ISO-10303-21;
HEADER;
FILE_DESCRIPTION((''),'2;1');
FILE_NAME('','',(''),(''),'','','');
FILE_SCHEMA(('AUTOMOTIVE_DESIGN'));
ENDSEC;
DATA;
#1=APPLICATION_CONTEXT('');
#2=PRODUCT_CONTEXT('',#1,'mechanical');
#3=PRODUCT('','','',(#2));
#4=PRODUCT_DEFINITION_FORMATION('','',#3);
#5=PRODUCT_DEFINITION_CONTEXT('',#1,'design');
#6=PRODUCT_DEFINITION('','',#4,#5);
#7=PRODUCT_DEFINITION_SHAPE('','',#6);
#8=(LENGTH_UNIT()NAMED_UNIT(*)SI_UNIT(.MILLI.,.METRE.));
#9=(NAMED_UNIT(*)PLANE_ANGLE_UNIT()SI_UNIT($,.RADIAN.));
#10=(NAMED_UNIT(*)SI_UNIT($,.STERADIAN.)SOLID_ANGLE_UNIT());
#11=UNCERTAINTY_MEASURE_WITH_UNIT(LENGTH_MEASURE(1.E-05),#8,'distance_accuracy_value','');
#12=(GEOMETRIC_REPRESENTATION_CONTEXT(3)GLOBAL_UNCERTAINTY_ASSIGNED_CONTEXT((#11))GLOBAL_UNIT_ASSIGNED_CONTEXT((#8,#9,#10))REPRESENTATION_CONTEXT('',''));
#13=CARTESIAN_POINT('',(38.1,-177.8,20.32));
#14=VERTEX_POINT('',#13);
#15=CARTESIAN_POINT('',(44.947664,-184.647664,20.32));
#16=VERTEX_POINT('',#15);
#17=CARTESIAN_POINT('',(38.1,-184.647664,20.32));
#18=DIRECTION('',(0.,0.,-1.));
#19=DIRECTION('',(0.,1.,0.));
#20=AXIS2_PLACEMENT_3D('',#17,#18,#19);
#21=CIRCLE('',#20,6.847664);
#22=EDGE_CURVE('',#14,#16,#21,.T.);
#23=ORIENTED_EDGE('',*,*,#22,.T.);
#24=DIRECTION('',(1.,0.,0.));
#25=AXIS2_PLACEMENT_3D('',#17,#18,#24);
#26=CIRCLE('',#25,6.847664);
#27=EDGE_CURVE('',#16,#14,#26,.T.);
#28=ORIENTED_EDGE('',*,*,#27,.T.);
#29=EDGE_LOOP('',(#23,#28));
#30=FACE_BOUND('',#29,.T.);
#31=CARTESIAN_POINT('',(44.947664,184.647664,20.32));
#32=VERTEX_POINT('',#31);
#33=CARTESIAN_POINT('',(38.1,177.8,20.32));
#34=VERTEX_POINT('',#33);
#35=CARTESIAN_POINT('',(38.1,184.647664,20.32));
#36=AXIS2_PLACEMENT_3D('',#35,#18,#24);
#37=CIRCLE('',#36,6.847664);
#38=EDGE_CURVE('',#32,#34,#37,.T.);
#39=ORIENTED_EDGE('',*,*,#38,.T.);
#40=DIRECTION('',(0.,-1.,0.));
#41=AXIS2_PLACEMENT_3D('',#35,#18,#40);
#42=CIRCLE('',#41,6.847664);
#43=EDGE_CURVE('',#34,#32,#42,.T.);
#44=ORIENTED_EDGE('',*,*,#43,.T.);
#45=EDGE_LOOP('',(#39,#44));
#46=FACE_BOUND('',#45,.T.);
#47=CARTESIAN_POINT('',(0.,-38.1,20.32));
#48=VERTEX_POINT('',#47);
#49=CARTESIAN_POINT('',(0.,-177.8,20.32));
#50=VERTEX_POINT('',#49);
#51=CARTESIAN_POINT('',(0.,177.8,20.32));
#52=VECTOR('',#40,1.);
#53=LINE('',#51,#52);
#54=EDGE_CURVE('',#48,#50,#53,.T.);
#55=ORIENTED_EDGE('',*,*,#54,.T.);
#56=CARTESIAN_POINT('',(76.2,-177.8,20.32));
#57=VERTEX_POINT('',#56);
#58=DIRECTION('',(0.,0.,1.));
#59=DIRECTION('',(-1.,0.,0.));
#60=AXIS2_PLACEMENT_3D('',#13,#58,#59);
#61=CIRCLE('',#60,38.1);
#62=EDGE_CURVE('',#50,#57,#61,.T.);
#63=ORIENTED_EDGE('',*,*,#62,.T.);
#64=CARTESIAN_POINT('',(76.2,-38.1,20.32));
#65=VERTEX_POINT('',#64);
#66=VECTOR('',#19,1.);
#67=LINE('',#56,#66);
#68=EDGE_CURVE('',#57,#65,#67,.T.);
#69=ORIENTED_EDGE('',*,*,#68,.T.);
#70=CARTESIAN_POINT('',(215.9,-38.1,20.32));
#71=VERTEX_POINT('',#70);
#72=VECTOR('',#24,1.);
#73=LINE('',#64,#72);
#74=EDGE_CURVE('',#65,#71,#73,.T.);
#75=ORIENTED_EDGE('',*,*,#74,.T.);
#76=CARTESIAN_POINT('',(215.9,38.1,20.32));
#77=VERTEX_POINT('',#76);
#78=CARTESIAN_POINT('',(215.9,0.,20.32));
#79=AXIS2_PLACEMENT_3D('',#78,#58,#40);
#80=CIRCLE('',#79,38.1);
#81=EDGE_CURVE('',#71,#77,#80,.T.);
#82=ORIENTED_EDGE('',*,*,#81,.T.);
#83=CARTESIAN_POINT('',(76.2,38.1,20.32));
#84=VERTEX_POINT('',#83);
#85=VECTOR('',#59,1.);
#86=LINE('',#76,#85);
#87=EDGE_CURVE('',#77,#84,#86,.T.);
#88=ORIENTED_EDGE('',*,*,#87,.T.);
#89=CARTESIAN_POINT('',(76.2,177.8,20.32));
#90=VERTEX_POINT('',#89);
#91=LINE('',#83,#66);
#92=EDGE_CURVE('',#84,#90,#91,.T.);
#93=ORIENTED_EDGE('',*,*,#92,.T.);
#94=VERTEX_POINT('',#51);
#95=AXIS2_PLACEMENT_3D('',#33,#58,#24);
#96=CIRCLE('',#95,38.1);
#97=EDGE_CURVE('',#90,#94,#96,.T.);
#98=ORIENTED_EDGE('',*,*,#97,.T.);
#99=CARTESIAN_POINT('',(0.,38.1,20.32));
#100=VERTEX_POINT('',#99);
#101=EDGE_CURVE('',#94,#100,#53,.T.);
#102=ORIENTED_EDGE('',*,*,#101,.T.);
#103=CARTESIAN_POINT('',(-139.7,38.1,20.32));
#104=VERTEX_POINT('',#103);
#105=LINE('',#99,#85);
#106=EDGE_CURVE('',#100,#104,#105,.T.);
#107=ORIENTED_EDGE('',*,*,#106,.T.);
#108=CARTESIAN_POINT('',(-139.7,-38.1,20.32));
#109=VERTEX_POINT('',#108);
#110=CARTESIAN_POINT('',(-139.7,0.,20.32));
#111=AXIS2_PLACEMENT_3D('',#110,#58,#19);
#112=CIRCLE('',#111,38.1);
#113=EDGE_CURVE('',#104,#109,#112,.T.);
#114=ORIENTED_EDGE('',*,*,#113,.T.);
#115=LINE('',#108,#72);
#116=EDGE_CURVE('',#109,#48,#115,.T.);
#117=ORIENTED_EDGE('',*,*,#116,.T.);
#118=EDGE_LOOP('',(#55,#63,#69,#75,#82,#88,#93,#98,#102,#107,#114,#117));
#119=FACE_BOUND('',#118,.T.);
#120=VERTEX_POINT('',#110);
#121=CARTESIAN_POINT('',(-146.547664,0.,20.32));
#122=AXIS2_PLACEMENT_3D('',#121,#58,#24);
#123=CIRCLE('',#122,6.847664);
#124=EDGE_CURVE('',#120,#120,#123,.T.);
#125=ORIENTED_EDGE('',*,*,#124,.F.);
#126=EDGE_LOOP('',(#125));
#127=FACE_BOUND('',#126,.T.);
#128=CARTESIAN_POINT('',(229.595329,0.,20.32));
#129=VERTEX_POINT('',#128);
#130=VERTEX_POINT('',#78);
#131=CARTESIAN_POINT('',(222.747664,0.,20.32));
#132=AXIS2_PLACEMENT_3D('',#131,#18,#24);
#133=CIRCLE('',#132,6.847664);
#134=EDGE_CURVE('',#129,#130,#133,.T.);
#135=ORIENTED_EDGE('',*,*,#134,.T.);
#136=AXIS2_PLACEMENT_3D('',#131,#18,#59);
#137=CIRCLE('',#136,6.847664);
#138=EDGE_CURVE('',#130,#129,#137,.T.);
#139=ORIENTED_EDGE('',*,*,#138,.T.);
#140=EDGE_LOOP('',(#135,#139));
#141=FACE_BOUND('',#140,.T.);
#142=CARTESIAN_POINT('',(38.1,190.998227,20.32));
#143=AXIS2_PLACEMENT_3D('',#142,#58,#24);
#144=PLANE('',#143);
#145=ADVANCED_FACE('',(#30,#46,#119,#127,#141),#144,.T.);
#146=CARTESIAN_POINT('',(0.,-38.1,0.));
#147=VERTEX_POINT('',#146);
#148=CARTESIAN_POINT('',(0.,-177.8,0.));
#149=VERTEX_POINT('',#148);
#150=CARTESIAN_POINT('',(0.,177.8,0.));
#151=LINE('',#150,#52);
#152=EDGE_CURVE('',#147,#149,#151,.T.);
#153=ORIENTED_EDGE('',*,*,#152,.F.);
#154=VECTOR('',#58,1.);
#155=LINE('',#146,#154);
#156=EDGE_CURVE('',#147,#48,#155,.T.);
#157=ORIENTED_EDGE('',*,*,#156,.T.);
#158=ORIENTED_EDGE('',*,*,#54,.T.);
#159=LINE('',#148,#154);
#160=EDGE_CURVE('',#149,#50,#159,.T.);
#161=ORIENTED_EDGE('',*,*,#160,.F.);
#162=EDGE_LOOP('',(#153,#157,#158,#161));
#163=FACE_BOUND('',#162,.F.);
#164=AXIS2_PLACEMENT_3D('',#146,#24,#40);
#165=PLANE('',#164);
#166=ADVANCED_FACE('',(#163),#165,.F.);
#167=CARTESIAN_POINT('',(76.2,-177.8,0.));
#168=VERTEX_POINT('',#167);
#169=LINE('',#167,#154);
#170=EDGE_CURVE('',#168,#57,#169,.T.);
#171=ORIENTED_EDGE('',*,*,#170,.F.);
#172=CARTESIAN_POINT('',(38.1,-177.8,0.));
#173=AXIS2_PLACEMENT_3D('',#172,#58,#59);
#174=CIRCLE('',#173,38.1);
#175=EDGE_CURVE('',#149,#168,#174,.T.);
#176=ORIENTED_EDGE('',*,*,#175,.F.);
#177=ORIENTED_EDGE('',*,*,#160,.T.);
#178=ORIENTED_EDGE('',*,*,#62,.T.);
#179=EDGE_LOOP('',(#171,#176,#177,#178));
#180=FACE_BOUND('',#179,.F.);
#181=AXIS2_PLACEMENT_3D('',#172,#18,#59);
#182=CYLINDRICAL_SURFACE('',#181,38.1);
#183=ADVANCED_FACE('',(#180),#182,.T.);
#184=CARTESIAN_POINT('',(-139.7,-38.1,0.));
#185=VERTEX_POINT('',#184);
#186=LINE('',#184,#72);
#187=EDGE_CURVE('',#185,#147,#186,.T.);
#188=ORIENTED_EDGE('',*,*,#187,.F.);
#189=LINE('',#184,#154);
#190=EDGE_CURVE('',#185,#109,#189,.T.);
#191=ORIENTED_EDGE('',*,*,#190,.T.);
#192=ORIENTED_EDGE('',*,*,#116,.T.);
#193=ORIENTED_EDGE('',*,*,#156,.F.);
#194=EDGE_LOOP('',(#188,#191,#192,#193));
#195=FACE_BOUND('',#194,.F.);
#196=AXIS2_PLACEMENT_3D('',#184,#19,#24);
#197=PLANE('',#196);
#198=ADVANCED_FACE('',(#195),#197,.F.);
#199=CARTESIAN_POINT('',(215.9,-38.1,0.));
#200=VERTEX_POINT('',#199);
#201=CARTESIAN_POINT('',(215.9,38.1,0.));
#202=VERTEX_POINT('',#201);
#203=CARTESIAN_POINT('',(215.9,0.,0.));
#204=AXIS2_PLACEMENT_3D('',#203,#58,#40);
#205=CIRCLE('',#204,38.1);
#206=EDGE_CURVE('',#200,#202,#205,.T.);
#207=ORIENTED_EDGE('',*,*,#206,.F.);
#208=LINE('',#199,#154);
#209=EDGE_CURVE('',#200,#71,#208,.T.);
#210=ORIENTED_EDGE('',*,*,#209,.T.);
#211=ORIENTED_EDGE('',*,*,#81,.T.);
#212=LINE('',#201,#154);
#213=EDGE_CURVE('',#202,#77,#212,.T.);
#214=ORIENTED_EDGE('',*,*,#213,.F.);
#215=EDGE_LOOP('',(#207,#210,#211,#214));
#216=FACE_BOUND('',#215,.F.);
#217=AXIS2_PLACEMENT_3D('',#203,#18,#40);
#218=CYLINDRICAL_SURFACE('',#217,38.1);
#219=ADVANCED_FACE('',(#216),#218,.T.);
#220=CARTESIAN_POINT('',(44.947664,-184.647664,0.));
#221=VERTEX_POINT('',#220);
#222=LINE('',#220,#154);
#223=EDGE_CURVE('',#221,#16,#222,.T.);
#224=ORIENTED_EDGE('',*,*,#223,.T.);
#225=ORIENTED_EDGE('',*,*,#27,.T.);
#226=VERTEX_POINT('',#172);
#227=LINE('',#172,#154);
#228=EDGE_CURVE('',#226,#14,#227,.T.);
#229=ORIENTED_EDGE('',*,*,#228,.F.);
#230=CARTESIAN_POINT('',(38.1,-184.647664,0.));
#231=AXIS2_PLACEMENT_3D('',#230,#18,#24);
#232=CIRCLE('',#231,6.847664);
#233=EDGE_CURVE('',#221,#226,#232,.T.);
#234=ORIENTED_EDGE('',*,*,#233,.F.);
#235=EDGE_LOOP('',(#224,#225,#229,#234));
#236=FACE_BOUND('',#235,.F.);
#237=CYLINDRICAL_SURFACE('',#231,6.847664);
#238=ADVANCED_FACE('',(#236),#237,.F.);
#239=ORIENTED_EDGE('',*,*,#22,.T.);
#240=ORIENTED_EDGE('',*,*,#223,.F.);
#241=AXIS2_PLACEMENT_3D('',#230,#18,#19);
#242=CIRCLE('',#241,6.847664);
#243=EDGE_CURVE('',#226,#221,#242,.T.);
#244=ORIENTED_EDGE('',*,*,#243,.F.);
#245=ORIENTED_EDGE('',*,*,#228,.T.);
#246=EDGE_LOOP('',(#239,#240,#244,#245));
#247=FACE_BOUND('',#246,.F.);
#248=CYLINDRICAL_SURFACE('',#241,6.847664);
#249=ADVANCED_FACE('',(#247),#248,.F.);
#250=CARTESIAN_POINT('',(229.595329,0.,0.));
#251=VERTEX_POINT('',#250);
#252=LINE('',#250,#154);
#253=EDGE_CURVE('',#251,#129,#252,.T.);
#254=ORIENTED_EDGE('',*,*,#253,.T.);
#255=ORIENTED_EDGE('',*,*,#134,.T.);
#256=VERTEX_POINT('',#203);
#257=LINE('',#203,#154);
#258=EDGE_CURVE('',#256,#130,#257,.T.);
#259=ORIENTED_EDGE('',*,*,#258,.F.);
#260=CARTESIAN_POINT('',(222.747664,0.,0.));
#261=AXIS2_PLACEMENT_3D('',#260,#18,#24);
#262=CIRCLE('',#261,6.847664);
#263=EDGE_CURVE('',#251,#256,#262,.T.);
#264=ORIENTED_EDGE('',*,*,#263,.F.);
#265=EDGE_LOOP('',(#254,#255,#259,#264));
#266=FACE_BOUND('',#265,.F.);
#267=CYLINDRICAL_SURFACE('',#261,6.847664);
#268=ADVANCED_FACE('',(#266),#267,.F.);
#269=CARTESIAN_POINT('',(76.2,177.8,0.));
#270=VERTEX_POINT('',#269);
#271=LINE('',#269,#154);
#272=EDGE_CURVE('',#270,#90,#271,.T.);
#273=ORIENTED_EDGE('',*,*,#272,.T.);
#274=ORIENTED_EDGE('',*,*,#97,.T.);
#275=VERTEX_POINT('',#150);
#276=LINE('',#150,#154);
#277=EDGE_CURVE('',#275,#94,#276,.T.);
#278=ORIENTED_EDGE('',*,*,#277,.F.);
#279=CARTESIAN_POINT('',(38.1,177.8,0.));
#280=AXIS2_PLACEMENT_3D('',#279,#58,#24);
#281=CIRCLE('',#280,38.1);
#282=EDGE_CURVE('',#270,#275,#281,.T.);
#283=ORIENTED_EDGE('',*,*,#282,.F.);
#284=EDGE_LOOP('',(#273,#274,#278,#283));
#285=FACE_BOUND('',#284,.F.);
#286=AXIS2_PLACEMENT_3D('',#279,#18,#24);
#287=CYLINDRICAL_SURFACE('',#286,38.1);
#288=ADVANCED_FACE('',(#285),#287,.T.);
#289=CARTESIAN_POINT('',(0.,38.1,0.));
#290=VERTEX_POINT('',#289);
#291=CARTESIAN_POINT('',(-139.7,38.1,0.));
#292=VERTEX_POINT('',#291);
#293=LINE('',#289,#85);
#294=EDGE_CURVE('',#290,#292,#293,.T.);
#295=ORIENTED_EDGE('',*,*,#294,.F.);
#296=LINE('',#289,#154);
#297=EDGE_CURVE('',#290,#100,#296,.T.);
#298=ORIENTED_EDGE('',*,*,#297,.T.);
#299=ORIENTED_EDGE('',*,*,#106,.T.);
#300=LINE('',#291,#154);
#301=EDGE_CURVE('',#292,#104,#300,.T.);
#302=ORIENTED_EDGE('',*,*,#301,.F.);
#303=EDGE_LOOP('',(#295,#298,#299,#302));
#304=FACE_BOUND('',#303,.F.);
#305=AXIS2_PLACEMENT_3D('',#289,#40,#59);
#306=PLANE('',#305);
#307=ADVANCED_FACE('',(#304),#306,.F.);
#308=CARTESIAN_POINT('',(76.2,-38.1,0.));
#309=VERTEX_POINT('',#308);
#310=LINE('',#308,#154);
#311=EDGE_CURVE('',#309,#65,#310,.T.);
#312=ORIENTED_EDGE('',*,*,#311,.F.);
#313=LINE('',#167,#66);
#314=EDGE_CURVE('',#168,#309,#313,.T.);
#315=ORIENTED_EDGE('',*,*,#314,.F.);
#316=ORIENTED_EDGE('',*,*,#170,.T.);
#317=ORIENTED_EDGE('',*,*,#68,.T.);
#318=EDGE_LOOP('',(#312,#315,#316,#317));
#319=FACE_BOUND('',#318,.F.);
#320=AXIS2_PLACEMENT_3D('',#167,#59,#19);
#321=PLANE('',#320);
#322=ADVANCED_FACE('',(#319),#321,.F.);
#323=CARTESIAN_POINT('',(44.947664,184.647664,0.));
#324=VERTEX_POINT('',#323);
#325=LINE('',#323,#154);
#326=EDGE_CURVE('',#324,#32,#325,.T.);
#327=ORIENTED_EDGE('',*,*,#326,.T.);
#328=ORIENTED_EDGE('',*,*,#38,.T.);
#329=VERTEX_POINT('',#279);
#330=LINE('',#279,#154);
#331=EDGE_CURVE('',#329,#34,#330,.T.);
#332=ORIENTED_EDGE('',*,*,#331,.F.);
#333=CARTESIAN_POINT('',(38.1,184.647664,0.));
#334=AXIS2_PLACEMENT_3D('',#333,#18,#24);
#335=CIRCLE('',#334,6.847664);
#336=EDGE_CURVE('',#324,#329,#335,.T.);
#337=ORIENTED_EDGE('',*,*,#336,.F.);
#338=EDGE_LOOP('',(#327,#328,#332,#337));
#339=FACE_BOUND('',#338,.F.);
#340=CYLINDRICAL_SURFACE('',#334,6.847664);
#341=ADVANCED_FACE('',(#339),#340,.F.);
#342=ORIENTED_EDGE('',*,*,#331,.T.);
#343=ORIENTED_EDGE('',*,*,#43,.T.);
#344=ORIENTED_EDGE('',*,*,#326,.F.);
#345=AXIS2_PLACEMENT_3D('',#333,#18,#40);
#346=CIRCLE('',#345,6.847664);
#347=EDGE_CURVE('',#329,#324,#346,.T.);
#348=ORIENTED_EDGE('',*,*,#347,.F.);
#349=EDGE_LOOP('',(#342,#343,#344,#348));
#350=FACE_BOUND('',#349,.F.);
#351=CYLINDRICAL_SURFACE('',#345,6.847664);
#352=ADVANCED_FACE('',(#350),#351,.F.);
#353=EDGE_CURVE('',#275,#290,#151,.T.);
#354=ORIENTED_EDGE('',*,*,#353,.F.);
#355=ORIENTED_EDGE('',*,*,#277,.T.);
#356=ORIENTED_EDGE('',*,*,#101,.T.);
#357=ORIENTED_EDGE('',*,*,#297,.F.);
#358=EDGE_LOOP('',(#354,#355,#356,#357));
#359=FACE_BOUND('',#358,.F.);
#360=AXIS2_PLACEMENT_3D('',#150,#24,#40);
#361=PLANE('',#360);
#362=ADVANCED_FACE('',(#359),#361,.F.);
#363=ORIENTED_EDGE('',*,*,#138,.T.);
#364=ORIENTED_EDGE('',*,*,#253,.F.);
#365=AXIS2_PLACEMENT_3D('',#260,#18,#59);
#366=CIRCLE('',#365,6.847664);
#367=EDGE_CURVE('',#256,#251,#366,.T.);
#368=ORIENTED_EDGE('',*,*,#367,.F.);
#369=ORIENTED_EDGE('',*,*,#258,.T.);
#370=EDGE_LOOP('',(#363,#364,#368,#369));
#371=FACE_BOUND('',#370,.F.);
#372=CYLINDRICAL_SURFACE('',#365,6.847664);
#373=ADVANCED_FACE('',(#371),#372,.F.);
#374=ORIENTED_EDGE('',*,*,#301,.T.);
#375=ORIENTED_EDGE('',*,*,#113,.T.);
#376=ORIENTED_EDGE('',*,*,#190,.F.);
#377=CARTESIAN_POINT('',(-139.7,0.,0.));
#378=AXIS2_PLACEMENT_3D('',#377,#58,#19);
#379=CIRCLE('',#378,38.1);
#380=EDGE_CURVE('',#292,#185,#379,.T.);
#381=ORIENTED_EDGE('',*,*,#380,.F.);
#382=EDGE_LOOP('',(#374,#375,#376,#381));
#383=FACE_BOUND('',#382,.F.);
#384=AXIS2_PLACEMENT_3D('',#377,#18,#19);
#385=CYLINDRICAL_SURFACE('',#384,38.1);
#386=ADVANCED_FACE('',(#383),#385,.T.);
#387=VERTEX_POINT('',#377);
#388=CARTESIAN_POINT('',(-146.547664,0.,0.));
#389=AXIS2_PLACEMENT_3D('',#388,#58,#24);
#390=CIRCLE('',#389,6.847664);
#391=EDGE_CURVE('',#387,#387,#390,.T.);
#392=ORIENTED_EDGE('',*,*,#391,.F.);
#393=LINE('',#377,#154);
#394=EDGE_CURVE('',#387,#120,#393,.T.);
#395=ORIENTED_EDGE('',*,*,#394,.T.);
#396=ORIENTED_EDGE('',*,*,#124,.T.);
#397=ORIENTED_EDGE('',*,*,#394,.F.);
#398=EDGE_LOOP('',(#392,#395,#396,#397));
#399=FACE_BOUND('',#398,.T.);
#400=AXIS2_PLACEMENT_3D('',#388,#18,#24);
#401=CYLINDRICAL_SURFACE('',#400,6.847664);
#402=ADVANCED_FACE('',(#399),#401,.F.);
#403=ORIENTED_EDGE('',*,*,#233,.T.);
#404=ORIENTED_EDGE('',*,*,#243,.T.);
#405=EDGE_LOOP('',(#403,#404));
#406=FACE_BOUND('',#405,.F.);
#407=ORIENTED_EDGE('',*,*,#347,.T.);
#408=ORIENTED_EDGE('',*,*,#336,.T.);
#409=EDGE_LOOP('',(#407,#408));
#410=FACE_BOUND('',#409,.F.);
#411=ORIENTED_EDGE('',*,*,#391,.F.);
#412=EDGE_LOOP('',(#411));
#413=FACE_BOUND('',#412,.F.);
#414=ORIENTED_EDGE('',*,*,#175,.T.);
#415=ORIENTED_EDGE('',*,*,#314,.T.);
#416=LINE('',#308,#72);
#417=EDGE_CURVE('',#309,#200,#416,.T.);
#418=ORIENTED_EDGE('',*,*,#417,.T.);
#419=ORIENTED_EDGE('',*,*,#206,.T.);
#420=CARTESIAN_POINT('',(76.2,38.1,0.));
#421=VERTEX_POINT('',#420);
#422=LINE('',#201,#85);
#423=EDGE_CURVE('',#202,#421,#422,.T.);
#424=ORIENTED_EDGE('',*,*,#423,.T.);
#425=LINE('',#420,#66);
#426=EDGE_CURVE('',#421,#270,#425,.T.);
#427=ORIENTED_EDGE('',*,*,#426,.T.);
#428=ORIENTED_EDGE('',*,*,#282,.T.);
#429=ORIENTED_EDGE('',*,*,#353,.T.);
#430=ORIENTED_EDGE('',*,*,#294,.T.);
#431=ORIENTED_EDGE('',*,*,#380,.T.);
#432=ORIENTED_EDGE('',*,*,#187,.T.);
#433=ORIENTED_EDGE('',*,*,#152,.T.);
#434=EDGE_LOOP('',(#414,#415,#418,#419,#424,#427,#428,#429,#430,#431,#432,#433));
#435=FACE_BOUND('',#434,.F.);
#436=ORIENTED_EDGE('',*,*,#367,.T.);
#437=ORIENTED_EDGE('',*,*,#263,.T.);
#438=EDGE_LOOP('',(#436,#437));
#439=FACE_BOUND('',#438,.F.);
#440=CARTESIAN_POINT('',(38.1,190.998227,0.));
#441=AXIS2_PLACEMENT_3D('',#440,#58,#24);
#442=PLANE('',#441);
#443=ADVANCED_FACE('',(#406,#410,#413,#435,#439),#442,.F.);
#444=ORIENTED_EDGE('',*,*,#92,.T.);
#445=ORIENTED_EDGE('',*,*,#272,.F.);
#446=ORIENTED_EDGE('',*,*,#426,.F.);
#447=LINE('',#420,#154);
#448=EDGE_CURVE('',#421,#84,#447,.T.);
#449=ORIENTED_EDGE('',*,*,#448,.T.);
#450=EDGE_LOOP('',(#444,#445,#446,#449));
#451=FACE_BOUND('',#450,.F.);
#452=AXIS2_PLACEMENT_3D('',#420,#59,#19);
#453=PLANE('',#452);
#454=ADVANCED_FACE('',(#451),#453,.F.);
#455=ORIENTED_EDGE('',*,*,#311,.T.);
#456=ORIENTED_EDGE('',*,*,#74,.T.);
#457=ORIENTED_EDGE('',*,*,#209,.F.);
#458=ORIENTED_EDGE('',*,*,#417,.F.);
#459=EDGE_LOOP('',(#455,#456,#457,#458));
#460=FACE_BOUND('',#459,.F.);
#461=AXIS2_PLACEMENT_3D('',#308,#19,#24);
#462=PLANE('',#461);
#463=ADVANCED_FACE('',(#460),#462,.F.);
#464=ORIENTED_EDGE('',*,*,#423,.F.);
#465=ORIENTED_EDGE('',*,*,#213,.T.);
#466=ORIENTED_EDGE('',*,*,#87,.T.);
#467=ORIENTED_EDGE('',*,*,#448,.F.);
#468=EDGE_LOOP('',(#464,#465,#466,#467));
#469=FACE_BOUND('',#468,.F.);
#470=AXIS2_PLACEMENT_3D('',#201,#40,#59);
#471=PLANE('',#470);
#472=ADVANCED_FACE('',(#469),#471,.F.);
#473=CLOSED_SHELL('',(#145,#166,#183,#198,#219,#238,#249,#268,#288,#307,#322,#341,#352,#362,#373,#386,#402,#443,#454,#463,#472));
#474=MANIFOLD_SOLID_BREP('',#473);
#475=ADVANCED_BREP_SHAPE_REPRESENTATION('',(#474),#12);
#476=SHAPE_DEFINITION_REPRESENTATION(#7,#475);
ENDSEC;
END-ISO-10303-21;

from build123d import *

# Parameters (mm, degrees)
F0_W     = 38.1
F0_H     = 38.1
F0_R     = 6.8476644278
F1_DEPTH = 20.32


with BuildPart() as f1:
    # F0 (on Top) → F1 (new body)
    with BuildSketch(Plane.XY):
        with BuildLine():
            ThreePointArc((76.2, 177.8), (38.1, 215.9), (0, 177.8))
            Line((0, 177.8), (38.1, 177.8))
            Line((38.1, 177.8), (76.2, 177.8))
        make_face()
        with BuildLine():
            ThreePointArc((44.9476644278, 184.6476644278), (42.9420299522, 179.8056344756), (38.1, 177.8))
            ThreePointArc((38.1, 177.8), (33.2579700478, 189.4896943799), (44.9476644278, 184.6476644278))
        make_face(mode=Mode.SUBTRACT)
        with BuildLine():
            Line((38.1, -177.8), (0, -177.8))
            ThreePointArc((0, -177.8), (38.1, -215.9), (76.2, -177.8))
            Line((76.2, -177.8), (38.1, -177.8))
        make_face()
        with BuildLine():
            ThreePointArc((44.9476644278, -184.6476644278), (33.2579700478, -189.4896943799), (38.1, -177.8))
            ThreePointArc((38.1, -177.8), (42.9420299522, -179.8056344756), (44.9476644278, -184.6476644278))
        make_face(mode=Mode.SUBTRACT)
        with BuildLine():
            ThreePointArc((215.9, -38.1), (254, 0), (215.9, 38.1))
            Line((215.9, 38.1), (215.9, -3e-10))
            Line((215.9, -3e-10), (215.9, -38.1))
        make_face()
        with BuildLine():
            ThreePointArc((229.5953288555, 0), (222.7476644279, -6.8476644278), (215.9, -3e-10))
            ThreePointArc((215.9, -3e-10), (222.7476644276, 6.8476644278), (229.5953288555, 0))
        make_face(mode=Mode.SUBTRACT)
        Polygon((0, 177.8), (0, 38.1), (38.1, 38.1), (76.2, 38.1), (76.2, 177.8), (38.1, 177.8), align=None)
        Polygon((76.2, 38.1), (76.2, 0), (76.2, -38.1), (215.9, -38.1), (215.9, -3e-10), (215.9, 38.1), align=None)
        Polygon((38.1, -38.1), (0, -38.1), (0, -177.8), (38.1, -177.8), (76.2, -177.8), (76.2, -38.1), align=None)
        with Locations((19.05, 19.05)):
            Rectangle(F0_W, F0_H)
        with Locations((57.15, 19.05)):
            Rectangle(F0_W, F0_H)
        with Locations((19.05, -19.05)):
            Rectangle(F0_W, F0_H)
        with Locations((57.15, -19.05)):
            Rectangle(F0_W, F0_H)
        with BuildLine():
            Line((-139.7, 0), (-139.7, 38.1))
            ThreePointArc((-139.7, 38.1), (-177.8, 0), (-139.7, -38.1))
            Line((-139.7, -38.1), (-139.7, 0))
        make_face()
        with Locations((-146.5476644278, 0)):
            Circle(F0_R, mode=Mode.SUBTRACT)
        Polygon((0, -38.1), (0, 0), (0, 38.1), (-139.7, 38.1), (-139.7, 0), (-139.7, -38.1), align=None)
    extrude(amount=F1_DEPTH)


solid = f1.part
